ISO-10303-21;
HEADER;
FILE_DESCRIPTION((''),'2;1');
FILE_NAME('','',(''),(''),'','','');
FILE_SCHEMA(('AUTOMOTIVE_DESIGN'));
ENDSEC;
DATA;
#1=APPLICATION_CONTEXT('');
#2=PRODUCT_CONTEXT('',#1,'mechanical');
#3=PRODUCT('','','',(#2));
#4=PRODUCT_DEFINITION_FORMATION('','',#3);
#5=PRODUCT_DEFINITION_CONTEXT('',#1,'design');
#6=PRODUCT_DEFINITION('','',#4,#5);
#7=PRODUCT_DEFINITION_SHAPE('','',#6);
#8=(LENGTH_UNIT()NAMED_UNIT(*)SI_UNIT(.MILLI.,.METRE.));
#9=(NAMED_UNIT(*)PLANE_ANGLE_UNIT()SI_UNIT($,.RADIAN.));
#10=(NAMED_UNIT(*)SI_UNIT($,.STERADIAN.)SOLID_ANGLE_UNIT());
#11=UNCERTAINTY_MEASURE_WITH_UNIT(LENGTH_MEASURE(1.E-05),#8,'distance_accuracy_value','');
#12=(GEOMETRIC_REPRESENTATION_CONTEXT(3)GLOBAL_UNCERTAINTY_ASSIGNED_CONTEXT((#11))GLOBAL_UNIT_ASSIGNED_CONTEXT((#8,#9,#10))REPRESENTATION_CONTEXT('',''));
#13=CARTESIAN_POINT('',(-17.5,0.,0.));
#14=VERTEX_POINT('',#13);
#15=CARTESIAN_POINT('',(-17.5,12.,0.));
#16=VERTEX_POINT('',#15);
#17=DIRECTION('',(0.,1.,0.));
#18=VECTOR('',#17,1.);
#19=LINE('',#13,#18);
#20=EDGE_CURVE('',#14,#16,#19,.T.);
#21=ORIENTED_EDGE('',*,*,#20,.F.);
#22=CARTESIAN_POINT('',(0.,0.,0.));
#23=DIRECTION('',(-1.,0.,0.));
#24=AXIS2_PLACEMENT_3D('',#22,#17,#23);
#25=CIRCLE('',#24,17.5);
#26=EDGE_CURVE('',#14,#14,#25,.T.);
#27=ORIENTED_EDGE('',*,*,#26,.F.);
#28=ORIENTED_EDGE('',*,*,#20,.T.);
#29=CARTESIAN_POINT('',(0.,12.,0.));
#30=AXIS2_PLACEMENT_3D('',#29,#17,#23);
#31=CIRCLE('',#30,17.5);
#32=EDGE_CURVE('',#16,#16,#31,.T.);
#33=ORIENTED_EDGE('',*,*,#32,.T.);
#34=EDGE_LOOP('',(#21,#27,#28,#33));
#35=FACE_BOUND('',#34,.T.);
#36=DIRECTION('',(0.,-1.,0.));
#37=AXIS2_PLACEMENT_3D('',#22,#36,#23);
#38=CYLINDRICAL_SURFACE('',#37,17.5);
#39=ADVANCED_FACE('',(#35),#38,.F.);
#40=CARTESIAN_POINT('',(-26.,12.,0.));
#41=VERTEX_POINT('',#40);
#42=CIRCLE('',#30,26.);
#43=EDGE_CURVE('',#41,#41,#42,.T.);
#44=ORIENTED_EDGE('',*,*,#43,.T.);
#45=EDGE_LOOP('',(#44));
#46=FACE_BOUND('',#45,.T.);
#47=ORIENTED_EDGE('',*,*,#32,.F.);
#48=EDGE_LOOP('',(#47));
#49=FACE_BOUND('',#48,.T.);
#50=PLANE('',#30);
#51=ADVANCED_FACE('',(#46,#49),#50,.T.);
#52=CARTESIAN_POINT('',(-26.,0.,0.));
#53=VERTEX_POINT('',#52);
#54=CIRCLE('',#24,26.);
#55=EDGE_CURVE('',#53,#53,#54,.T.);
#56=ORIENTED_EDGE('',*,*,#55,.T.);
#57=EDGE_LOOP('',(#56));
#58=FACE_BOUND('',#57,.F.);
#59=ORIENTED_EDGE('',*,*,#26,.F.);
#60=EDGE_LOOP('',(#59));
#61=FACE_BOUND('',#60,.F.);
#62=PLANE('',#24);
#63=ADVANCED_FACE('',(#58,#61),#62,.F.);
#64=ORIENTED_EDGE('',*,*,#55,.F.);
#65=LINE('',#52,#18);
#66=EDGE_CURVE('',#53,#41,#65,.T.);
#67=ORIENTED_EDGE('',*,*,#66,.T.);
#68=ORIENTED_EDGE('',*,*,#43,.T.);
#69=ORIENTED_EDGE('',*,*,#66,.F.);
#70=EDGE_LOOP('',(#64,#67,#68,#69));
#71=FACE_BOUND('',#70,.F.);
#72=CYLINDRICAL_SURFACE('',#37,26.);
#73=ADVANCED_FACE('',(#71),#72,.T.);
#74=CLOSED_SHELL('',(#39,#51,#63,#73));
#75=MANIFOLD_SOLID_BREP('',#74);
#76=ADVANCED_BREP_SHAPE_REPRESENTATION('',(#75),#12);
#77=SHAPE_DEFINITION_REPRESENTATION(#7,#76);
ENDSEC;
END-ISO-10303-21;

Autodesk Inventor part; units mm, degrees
ref_plane "YZ Plane" through (0, 0, 0) normal (1, 0, 0) x (0, 1, 0)
ref_plane "XZ Plane" through (0, 0, 0) normal (0, 1, 0) x (-1, 0, 0)
ref_plane "XY Plane" through (0, 0, 0) normal (0, 0, 1) x (1, 0, 0)
sketch "Эскиз1" plane through (0, 0, 0) normal (0, 1, 0) x (-1, 0, 0)
  circle A0 centre (0, 0) radius 26
  circle A1 centre (0, 0) radius 17.5
  dimension "d0" = 52
  dimension "d1" = 35
extrude "Выдавливание1" add sketch "Эскиз1" along normal blind 12
properties part number "подш_гл"
